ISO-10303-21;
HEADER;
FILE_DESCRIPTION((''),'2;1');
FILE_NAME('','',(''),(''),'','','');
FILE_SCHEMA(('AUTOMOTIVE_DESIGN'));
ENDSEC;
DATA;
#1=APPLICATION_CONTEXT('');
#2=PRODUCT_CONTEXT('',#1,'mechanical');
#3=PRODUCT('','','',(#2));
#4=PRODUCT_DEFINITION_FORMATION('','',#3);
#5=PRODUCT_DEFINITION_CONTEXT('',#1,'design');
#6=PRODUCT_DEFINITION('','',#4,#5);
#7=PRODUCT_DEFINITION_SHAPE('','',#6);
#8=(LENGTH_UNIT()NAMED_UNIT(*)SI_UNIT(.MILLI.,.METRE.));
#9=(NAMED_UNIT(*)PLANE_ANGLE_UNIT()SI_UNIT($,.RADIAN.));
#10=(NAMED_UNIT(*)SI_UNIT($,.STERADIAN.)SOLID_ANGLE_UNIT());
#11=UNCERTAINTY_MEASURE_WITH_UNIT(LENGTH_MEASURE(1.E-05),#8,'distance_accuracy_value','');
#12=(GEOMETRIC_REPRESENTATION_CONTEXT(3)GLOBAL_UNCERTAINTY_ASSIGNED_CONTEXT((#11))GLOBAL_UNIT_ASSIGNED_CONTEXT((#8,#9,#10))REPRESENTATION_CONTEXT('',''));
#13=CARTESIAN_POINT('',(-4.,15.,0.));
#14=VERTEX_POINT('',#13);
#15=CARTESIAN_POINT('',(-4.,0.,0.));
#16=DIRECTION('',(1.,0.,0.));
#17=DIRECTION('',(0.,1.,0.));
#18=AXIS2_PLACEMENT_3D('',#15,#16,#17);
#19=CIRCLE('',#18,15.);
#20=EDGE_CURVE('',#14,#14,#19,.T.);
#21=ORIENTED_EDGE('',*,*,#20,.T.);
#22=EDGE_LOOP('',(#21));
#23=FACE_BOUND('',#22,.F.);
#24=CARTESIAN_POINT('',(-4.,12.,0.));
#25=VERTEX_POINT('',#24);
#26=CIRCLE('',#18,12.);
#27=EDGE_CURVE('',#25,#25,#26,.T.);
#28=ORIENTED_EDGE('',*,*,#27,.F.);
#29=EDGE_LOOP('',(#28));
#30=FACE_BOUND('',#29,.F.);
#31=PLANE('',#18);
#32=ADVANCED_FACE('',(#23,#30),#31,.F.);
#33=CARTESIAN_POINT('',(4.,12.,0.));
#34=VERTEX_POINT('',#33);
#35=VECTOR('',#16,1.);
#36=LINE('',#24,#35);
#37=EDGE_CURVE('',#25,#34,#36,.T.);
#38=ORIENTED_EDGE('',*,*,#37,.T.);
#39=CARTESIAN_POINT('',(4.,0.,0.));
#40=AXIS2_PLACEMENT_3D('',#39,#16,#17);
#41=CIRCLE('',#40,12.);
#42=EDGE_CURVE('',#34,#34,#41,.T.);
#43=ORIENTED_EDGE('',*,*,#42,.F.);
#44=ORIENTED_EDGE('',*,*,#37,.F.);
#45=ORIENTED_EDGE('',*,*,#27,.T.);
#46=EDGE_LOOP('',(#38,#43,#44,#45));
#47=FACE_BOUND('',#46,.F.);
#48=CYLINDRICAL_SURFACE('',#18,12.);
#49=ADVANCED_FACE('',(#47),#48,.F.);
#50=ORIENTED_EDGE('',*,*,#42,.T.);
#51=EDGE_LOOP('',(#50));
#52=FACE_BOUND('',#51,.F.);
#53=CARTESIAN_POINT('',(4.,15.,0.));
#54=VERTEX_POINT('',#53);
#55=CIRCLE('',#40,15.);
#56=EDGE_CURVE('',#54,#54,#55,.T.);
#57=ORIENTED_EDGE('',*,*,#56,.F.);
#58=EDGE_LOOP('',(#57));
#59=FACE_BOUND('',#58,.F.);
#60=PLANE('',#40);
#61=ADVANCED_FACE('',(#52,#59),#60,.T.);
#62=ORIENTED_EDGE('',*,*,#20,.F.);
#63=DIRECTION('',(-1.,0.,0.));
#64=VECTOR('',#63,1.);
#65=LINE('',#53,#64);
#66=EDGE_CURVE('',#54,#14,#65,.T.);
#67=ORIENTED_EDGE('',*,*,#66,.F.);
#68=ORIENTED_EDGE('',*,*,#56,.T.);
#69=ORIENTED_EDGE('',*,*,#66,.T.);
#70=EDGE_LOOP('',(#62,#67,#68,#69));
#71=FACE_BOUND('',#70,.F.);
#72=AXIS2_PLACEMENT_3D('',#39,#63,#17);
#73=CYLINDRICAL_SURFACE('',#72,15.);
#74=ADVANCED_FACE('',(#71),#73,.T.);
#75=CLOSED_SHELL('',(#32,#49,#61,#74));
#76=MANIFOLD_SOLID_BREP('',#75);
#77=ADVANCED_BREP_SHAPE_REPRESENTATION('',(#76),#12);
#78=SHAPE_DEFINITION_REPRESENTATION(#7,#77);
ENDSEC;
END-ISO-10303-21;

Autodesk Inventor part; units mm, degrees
sketch "Sketch_1" plane through (0, 0, 0) normal (0, 0, 1) x (1, 0, 0)
  line L0 (4, 0) -> (-4, 0)
  line L1 (-4, 15) -> (-4, 12)
  line L2 (-4, 12) -> (4, 12)
  line L3 (4, 12) -> (4, 15)
  line L4 (4, 15) -> (-4, 15)
revolve "Revolution1" add sketch "Sketch_1" angle 360 about axis through (4, 0, 0) along (1, 0, 0)
ref_plane "k_c_XY" through (0, 0, 0) normal (-1, 0, 0) x (0, 0, -1)
ref_plane "k_c_YZ" through (0, 0, 0) normal (0, 0, -1) x (0, -1, 0)
ref_plane "k_c_ZX" through (0, 0, 0) normal (0, -1, 0) x (-1, 0, 0)
properties part number "UMHSL30_k"
